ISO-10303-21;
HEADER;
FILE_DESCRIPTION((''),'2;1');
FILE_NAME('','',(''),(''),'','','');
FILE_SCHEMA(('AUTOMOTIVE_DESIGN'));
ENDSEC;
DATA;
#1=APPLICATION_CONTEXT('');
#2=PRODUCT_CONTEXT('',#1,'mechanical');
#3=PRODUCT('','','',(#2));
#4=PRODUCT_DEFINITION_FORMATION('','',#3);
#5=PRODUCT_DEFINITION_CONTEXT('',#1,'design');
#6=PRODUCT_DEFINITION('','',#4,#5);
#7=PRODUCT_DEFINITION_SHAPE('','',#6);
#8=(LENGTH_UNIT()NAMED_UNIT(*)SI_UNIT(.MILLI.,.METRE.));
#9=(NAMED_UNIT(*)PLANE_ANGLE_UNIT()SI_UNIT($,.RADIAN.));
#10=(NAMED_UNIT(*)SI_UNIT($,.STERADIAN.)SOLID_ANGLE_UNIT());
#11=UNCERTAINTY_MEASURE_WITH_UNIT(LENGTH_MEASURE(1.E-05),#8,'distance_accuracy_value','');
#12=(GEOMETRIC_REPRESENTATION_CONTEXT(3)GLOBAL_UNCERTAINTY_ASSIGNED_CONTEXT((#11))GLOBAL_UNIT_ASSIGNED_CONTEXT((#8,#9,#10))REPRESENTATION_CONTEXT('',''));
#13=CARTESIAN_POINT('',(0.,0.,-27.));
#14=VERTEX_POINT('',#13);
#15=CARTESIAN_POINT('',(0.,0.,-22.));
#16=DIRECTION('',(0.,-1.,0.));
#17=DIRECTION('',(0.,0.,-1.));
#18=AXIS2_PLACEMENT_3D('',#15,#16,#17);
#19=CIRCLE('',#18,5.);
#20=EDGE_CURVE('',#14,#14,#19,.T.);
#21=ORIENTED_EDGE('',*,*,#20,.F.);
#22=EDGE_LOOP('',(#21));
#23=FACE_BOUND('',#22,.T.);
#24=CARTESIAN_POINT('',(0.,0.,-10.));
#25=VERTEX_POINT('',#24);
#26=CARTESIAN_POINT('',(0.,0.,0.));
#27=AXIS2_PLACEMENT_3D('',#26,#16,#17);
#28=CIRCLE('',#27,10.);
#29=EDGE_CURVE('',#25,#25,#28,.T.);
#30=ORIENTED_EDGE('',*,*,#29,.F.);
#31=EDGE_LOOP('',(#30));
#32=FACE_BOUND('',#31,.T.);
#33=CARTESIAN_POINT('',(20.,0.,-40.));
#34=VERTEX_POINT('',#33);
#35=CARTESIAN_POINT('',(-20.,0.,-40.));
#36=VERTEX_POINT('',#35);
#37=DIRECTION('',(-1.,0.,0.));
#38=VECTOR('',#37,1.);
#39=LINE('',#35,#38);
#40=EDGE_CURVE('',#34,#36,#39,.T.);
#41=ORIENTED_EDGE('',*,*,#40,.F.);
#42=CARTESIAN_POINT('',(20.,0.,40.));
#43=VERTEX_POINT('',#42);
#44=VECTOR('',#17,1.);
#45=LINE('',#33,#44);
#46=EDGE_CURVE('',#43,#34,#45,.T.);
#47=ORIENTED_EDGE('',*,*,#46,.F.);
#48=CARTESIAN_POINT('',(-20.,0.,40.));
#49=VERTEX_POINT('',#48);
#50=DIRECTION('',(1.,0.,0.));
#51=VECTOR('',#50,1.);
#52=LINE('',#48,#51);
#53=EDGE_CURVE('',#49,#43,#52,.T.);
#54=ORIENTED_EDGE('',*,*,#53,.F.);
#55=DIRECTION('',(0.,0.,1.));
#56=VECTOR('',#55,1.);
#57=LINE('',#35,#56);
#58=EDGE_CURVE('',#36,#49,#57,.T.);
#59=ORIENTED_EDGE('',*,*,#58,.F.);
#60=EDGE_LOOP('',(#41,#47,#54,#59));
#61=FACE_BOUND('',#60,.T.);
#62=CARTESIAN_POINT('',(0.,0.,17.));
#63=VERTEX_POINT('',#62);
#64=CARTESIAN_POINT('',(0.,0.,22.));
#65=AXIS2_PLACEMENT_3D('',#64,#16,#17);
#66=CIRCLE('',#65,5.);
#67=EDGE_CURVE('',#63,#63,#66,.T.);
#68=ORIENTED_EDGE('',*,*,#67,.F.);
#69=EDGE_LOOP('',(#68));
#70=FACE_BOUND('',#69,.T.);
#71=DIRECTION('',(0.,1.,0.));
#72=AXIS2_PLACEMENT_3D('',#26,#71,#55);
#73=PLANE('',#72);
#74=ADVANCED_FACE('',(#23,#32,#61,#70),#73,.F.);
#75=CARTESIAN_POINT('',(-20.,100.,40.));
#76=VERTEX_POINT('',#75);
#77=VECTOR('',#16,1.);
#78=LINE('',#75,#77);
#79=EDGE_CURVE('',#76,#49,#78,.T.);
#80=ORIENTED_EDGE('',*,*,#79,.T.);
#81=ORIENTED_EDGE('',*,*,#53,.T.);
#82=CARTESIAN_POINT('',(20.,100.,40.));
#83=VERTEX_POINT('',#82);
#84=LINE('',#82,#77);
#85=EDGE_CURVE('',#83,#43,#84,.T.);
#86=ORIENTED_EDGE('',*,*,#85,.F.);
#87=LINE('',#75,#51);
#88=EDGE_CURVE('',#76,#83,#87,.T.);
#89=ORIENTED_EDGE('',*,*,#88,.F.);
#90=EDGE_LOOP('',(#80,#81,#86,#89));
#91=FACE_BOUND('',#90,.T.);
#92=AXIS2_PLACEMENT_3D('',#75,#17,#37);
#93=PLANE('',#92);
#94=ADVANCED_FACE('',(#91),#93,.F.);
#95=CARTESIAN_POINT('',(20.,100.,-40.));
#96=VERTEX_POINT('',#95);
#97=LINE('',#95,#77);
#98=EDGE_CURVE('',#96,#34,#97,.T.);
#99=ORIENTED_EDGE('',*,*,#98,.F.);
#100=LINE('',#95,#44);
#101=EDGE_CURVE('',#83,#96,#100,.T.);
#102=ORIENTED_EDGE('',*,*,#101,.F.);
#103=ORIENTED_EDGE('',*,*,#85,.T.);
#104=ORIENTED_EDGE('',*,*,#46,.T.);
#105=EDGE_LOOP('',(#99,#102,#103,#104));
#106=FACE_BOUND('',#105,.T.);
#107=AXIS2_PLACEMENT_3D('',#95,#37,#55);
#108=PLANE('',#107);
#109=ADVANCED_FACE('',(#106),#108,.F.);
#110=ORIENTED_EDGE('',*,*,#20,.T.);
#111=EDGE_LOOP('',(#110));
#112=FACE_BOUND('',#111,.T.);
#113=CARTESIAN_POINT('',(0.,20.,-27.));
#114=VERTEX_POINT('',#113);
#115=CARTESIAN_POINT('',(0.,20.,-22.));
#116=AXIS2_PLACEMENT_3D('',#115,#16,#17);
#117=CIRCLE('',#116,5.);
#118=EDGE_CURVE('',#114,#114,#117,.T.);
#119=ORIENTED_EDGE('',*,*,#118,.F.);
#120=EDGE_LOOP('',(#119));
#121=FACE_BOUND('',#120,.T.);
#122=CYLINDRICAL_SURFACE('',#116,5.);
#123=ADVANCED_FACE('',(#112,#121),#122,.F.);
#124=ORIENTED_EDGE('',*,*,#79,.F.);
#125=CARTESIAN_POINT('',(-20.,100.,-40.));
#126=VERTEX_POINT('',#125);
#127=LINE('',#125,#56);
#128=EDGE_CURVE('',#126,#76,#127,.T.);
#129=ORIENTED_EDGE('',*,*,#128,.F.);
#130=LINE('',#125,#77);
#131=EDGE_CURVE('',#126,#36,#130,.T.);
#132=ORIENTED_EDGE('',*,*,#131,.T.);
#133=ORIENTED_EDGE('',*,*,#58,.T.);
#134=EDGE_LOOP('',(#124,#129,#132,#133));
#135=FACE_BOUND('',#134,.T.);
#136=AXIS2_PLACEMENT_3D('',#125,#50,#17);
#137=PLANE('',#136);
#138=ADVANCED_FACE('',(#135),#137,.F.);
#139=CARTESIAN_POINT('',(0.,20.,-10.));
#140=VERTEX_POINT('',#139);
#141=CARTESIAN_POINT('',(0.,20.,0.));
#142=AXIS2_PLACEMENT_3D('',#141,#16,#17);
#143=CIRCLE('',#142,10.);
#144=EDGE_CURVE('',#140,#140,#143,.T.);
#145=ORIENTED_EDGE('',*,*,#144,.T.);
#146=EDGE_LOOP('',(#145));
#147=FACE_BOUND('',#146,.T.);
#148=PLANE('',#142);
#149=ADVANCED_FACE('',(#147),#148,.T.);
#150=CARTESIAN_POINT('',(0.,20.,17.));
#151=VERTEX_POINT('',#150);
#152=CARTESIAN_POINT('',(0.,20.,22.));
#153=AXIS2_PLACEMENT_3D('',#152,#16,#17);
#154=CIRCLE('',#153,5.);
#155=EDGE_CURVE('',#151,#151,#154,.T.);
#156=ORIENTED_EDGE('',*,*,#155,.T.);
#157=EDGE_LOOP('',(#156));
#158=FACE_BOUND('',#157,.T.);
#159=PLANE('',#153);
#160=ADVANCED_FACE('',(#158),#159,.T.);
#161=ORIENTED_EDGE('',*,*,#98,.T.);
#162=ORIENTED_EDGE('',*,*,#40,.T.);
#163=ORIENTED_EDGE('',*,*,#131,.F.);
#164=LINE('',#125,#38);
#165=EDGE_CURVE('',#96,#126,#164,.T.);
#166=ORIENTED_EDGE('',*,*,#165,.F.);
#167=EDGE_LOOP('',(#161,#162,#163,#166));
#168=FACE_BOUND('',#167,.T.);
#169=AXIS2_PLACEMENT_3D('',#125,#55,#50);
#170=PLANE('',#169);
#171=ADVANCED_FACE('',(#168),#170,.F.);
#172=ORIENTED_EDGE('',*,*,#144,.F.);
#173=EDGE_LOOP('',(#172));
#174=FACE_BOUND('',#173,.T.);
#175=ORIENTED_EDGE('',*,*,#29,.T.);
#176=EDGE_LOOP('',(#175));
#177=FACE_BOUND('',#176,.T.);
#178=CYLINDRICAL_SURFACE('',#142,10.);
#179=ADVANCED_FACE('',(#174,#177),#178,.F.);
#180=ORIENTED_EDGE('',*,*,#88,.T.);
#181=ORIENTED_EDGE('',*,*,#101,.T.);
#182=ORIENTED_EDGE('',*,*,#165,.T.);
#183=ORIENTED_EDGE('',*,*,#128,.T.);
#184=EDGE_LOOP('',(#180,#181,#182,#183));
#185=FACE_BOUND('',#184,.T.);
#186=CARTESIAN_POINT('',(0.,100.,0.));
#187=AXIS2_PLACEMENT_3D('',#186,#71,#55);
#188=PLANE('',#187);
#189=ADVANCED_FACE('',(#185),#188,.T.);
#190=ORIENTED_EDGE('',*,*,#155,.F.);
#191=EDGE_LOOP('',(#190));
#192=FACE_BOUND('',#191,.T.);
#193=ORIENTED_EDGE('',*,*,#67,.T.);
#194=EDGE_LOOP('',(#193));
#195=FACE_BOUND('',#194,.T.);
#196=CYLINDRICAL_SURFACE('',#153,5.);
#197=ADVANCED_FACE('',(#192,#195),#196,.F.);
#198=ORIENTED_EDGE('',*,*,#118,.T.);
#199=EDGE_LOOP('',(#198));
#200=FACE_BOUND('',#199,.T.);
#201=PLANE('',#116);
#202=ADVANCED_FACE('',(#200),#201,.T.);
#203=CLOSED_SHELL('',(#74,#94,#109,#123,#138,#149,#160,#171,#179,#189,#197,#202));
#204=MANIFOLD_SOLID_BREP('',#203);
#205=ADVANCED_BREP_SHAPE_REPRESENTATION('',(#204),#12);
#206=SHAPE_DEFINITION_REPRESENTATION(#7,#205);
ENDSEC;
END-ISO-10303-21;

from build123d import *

# Parameters (mm, degrees)
SKETCH1_W           = 40
SKETCH1_H           = 80
BOSS_EXTRUDE1_DEPTH = 100
SKETCH3_R           = 10
SKETCH3_R_2         = 5
CUT_EXTRUDE2_DEPTH  = 20


with BuildPart() as part:
    # Sketch1 → Boss-Extrude1 (new body)
    with BuildSketch(Plane(origin=(0, 0, 0), x_dir=(1, 0, 0), z_dir=(0, 1, 0))):
        Rectangle(SKETCH1_W, SKETCH1_H)
    extrude(amount=BOSS_EXTRUDE1_DEPTH)

    # Sketch3 → Cut-Extrude2 (cut)
    with BuildSketch(Plane.XZ):
        with Locations(Location((0, 0, 0), (0, 0, 270))):
            Circle(SKETCH3_R)
        with Locations(Location((0, 22, 0), (0, 0, 270))):
            Circle(SKETCH3_R_2)
        with Locations(Location((0, -22, 0), (0, 0, 270))):
            Circle(SKETCH3_R_2)
    extrude(amount=-CUT_EXTRUDE2_DEPTH, mode=Mode.SUBTRACT)


solid = part.part
